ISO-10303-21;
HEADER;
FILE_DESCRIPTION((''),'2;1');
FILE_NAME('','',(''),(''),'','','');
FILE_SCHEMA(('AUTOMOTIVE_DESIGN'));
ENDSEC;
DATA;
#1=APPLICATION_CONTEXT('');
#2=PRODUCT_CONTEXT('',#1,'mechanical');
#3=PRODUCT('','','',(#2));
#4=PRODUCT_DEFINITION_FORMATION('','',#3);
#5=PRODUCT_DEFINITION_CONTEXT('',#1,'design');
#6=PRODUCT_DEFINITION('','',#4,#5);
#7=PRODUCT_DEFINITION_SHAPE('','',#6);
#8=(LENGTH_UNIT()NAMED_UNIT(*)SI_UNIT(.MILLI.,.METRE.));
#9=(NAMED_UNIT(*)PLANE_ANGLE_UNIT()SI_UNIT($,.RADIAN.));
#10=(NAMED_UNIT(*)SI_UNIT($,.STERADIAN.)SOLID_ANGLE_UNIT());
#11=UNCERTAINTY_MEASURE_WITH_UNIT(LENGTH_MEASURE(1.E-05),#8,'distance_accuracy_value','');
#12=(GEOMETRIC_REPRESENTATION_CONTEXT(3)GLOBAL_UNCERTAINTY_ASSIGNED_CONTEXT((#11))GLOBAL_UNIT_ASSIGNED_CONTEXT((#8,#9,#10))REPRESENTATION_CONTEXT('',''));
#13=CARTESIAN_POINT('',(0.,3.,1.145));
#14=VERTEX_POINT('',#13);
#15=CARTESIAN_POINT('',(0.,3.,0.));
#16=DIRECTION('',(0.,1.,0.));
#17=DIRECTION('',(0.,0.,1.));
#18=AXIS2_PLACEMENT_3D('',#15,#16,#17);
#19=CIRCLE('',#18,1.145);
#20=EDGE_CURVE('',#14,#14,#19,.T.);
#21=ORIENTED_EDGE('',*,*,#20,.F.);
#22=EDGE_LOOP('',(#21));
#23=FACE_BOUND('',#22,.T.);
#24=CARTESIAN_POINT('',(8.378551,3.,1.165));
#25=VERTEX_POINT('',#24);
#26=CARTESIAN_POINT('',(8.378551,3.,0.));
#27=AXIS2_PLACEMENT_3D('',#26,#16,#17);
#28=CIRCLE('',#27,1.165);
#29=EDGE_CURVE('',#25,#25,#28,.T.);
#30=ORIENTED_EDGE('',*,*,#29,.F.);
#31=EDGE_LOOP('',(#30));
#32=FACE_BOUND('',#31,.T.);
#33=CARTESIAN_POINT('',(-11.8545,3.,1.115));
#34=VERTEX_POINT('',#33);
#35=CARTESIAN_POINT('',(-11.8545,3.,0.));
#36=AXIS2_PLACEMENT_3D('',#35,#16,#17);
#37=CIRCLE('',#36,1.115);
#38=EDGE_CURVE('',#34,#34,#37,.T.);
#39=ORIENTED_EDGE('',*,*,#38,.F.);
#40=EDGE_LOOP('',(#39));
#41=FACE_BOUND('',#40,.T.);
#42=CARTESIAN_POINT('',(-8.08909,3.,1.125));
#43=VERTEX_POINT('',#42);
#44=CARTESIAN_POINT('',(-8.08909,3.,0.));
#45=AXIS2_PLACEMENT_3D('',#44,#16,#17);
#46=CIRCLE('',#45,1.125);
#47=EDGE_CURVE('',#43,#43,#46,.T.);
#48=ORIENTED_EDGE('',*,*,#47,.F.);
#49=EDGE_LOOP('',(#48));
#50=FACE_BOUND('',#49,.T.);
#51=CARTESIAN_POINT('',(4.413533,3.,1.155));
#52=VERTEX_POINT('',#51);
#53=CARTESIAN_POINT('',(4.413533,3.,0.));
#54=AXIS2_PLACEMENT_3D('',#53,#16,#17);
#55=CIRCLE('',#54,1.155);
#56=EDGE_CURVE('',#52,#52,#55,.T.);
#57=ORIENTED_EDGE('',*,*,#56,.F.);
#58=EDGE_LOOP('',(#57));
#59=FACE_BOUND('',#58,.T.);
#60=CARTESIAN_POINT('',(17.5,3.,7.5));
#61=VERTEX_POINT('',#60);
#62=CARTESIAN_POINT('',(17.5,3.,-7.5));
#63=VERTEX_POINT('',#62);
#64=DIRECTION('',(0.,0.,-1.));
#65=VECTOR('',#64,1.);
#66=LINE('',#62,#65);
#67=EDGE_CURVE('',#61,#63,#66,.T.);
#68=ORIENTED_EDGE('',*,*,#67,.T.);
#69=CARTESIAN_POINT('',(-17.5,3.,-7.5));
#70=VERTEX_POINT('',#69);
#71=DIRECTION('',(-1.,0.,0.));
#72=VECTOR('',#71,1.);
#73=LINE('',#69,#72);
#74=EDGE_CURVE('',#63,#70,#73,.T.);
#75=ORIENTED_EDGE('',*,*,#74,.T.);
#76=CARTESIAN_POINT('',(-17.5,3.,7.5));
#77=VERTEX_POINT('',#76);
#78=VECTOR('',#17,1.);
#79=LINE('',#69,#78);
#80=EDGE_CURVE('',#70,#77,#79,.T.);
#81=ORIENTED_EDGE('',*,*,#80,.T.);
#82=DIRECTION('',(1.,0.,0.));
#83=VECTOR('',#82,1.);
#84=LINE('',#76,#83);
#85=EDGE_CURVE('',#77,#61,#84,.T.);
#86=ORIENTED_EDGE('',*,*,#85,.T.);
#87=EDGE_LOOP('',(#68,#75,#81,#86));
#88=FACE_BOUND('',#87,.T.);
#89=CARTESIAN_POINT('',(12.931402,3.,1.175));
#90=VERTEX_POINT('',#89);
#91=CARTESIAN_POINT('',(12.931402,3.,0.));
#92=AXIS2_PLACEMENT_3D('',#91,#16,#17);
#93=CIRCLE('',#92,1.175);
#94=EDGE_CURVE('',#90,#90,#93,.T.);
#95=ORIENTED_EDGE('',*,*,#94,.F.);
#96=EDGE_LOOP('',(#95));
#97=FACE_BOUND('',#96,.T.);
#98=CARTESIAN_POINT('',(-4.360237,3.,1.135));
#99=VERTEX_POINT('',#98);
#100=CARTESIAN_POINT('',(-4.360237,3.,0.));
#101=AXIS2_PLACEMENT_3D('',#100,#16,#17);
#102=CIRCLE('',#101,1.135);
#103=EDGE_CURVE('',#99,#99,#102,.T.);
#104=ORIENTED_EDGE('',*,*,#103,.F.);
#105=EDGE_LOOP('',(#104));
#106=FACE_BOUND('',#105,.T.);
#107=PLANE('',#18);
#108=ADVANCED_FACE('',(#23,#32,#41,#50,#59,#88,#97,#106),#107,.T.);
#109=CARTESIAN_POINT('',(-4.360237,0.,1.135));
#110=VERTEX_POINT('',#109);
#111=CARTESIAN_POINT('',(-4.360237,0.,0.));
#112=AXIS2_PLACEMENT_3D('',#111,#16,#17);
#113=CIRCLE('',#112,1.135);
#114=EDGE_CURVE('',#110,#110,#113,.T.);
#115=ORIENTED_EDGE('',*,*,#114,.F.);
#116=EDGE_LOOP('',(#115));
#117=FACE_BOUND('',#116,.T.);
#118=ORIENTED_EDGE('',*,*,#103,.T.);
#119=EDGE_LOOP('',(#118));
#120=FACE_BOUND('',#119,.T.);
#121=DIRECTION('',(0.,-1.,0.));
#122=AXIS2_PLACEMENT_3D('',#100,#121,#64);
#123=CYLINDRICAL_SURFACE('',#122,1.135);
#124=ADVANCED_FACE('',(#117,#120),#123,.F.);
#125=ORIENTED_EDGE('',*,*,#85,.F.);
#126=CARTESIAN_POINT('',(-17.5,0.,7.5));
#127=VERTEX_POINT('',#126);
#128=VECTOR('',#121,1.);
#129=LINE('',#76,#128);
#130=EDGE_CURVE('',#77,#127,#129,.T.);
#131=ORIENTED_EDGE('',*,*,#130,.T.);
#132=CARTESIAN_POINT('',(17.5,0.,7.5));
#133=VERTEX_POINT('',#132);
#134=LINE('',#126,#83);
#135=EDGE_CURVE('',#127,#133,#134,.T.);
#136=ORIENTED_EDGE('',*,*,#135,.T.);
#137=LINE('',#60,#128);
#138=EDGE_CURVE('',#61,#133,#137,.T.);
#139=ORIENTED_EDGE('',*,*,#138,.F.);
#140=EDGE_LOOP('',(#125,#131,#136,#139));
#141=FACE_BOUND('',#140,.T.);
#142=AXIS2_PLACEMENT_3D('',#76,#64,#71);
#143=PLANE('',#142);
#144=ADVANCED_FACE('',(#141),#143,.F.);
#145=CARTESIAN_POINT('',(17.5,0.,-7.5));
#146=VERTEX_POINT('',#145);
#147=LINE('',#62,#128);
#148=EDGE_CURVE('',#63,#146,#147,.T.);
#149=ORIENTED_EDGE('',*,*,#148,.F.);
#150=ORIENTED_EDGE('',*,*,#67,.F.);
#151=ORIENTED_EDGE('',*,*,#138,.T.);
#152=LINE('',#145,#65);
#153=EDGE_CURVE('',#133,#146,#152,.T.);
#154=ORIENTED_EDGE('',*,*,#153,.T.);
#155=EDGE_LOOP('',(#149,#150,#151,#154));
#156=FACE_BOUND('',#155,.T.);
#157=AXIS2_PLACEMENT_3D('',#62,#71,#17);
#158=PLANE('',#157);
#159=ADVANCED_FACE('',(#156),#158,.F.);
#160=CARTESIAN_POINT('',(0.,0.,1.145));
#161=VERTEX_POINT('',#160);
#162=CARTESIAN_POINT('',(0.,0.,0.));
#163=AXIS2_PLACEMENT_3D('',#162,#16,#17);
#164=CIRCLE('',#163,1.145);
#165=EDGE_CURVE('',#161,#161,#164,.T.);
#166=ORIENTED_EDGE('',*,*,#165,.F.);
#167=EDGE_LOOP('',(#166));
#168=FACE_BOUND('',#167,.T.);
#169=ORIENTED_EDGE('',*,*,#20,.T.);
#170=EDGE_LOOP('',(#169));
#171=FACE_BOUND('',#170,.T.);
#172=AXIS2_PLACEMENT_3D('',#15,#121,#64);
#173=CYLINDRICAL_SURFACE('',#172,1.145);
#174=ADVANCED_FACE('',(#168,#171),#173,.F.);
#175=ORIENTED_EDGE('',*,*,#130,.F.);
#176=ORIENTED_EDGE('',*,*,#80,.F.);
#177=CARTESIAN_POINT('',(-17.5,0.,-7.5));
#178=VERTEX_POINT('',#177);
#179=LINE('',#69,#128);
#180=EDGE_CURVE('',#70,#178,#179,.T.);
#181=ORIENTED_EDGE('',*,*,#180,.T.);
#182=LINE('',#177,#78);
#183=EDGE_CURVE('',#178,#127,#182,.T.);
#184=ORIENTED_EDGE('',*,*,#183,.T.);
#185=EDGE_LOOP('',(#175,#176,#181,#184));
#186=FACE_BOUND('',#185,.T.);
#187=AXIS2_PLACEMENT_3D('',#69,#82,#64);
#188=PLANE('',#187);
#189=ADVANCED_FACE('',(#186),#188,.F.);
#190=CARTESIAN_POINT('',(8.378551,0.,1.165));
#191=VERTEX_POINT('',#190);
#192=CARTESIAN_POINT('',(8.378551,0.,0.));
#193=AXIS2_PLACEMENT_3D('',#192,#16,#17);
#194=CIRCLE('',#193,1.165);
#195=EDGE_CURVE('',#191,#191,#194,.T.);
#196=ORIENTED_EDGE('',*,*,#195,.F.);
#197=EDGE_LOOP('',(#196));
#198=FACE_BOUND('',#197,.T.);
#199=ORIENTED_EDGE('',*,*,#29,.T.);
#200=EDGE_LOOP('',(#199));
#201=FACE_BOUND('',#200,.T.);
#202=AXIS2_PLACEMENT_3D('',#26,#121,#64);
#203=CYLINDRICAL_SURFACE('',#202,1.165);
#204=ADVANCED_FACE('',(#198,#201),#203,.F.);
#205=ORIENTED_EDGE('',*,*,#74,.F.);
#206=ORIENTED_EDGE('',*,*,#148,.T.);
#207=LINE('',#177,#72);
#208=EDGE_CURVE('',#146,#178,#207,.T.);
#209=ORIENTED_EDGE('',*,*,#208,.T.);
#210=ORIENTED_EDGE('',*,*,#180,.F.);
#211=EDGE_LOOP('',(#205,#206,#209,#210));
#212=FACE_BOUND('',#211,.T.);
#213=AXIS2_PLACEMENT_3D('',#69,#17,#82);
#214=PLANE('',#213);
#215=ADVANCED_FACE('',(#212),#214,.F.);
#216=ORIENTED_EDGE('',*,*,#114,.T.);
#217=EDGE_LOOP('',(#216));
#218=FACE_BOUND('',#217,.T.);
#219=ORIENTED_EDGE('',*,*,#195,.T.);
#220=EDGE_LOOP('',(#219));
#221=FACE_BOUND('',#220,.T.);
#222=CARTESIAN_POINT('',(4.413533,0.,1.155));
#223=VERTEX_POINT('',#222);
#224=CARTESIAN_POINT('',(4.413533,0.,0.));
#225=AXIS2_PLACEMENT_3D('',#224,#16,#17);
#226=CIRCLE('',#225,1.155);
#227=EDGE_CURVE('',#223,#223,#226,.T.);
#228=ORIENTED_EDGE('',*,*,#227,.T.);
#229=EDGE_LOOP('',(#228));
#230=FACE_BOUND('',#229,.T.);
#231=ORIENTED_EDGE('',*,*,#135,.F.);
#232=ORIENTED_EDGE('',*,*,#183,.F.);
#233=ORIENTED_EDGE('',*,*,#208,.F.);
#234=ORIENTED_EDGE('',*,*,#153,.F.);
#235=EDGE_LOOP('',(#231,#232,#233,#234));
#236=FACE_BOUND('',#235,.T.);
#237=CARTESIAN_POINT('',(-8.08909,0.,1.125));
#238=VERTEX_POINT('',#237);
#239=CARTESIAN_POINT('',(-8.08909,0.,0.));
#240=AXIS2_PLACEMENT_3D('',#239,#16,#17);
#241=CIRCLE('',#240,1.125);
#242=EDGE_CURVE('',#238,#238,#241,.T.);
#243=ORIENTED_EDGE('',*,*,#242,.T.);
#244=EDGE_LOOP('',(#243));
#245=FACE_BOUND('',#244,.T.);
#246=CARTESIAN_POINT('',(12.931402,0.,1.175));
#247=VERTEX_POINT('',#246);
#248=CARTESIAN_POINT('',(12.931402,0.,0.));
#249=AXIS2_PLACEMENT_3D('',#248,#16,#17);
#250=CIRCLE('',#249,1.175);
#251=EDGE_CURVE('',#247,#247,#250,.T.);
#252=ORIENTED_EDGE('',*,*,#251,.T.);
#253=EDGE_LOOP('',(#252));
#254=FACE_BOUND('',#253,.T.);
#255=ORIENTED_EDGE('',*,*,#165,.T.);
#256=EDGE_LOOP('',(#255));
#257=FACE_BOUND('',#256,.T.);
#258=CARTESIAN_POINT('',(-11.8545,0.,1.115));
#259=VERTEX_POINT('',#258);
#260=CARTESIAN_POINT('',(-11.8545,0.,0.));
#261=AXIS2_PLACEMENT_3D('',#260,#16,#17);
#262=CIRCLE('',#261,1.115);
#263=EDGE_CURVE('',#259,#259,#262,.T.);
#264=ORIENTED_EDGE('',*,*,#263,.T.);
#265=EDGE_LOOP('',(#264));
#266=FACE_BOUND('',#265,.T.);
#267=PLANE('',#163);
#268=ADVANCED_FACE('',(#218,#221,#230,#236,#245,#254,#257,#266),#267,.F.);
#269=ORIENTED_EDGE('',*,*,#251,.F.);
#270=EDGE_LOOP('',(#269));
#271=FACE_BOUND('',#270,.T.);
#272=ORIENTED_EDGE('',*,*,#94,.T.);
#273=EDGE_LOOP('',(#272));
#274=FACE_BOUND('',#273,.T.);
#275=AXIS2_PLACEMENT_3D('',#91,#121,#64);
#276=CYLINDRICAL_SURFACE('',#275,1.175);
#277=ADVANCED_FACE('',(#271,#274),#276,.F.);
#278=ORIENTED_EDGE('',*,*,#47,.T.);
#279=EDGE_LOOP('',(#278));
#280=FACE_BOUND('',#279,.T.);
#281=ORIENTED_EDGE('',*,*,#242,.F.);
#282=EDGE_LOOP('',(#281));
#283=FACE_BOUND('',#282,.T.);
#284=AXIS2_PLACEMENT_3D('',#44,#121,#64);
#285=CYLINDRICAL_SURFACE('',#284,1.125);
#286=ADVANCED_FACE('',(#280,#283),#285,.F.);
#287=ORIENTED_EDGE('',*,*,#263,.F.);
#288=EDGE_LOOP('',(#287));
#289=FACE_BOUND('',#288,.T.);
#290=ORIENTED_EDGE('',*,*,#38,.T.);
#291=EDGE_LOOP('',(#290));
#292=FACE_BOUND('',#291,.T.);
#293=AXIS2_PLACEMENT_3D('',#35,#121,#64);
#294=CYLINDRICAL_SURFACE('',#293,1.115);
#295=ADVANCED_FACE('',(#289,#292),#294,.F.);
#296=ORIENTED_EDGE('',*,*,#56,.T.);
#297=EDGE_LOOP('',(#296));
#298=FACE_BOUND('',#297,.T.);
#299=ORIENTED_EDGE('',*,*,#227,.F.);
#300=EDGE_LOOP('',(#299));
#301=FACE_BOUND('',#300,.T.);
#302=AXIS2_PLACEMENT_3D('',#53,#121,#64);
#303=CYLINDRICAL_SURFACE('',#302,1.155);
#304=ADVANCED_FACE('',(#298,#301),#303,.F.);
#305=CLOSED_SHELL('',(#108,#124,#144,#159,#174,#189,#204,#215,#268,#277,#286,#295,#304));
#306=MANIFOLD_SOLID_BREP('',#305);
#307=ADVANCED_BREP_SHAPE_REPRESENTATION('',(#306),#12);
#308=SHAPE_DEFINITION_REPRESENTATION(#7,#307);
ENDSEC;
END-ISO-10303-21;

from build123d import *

# Parameters (mm, degrees)
CROQUIS1_W              = 35
CROQUIS1_H              = 15
CROQUIS1_R              = 1.115
CROQUIS1_R_2            = 1.125
CROQUIS1_R_3            = 1.135
CROQUIS1_R_4            = 1.145
CROQUIS1_R_5            = 1.155
CROQUIS1_R_6            = 1.165
CROQUIS1_R_7            = 1.175
SALIENTE_EXTRUIR1_DEPTH = 3


with BuildPart() as part:
    # Croquis1 → Saliente-Extruir1 (new body)
    with BuildSketch(Plane(origin=(0, 0, 0), x_dir=(1, 0, 0), z_dir=(0, 1, 0))):
        Rectangle(CROQUIS1_W, CROQUIS1_H)
        with Locations(Location((-11.854499795, 0, 0), (0, 0, 270))):
            Circle(CROQUIS1_R, mode=Mode.SUBTRACT)
        with Locations(Location((-8.089089959, 0, 0), (0, 0, 270))):
            Circle(CROQUIS1_R_2, mode=Mode.SUBTRACT)
        with Locations(Location((-4.3602375, 0, 0), (0, 0, 270))):
            Circle(CROQUIS1_R_3, mode=Mode.SUBTRACT)
        with Locations(Location((0, 0, 0), (0, 0, 270))):
            Circle(CROQUIS1_R_4, mode=Mode.SUBTRACT)
        with Locations(Location((4.413532992, 0, 0), (0, 0, 270))):
            Circle(CROQUIS1_R_5, mode=Mode.SUBTRACT)
        with Locations(Location((8.378550688, 0, 0), (0, 0, 270))):
            Circle(CROQUIS1_R_6, mode=Mode.SUBTRACT)
        with Locations(Location((12.931401845, 0, 0), (0, 0, 270))):
            Circle(CROQUIS1_R_7, mode=Mode.SUBTRACT)
    extrude(amount=SALIENTE_EXTRUIR1_DEPTH)


solid = part.part
